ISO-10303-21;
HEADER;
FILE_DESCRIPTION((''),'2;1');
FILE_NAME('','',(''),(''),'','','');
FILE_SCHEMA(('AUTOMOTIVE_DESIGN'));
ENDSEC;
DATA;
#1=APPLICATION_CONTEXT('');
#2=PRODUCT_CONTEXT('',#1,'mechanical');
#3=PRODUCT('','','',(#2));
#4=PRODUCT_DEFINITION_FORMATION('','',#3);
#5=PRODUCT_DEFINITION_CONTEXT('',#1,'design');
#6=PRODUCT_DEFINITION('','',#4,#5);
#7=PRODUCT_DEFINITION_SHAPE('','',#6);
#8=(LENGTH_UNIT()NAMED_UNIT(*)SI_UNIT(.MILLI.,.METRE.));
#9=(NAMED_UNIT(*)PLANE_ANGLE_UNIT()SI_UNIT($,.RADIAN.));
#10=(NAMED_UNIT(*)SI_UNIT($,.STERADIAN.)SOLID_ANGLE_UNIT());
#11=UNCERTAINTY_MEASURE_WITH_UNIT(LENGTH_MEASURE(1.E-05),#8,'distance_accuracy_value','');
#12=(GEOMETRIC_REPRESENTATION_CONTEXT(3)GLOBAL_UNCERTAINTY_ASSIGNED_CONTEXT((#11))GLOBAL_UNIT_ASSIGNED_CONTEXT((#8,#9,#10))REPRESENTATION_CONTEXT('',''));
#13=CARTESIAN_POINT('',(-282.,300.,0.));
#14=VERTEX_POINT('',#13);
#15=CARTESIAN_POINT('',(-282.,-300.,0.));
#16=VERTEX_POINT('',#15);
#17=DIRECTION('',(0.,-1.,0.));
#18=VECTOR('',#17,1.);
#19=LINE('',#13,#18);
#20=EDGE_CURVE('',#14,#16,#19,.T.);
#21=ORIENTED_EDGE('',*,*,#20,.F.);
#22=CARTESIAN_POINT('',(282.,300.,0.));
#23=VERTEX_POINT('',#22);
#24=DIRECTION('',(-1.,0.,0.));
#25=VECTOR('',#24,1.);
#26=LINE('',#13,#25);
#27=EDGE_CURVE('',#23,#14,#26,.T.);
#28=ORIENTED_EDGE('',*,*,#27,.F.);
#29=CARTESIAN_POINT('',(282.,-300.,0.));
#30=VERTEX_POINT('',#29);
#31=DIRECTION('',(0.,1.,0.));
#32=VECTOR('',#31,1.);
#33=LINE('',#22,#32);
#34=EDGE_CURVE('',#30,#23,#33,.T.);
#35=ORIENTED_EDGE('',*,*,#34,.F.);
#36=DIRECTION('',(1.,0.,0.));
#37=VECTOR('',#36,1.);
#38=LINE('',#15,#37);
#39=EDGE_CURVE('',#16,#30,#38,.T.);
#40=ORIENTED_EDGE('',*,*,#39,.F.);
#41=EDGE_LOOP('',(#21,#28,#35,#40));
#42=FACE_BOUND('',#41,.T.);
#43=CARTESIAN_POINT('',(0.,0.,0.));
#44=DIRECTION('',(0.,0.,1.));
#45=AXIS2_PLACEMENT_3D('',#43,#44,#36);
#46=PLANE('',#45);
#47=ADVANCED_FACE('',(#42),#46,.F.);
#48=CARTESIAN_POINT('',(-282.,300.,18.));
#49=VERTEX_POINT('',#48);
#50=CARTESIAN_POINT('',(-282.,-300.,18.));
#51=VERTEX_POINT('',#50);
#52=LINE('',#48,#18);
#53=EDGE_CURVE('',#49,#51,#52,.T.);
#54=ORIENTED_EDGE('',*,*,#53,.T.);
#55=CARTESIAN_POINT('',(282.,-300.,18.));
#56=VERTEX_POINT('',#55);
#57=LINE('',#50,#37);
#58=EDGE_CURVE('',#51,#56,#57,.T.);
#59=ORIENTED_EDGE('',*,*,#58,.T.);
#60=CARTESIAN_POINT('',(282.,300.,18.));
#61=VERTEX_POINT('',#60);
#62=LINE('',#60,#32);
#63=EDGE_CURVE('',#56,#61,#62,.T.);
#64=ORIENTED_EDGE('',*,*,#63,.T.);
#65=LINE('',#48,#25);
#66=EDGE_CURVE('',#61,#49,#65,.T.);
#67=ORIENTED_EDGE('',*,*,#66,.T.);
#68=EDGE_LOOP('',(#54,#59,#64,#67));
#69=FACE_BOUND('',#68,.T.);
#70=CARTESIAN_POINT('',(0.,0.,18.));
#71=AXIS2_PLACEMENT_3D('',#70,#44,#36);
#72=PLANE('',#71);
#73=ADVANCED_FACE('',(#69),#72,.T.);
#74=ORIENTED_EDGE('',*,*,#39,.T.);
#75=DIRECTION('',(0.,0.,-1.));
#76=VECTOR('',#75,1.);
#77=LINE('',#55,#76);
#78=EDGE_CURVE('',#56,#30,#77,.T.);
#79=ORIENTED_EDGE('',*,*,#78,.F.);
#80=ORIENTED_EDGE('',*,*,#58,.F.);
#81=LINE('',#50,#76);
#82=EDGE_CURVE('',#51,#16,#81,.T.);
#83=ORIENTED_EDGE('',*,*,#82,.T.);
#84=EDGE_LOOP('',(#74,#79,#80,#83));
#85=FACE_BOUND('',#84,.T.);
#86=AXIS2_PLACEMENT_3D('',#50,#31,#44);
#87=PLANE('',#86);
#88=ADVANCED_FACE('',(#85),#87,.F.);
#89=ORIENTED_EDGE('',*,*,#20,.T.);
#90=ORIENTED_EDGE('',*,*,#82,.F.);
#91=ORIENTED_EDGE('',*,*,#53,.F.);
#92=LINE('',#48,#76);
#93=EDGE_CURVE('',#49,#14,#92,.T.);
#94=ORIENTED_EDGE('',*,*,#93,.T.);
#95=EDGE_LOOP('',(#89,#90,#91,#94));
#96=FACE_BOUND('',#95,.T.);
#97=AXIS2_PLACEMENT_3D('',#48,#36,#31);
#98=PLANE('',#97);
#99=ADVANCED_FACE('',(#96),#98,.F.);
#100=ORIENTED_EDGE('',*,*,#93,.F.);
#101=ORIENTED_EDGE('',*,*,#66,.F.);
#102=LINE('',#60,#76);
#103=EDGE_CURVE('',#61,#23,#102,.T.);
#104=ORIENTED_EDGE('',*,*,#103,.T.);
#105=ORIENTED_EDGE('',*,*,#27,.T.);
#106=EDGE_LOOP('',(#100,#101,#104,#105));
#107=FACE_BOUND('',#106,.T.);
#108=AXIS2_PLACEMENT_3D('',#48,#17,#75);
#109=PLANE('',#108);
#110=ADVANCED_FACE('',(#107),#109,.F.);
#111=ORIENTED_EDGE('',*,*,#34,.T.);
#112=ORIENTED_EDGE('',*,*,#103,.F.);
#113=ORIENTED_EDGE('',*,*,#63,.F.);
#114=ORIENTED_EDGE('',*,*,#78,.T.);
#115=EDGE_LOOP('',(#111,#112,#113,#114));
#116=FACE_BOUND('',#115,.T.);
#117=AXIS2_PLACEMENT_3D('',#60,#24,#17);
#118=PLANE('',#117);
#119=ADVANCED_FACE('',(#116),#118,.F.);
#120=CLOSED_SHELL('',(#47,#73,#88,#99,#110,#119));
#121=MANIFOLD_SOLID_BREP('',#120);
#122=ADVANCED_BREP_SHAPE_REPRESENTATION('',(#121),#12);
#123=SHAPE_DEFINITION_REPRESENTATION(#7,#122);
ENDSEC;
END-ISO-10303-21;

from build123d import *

# Parameters (mm, degrees)
SKETCH_1_W      = 564
SKETCH_1_H      = 600
EXTRUDE_1_DEPTH = 18


with BuildPart() as part:
    # Эскиз1 → Бобышка-Вытянуть1 (new body)
    with BuildSketch(Plane.XY):
        Rectangle(SKETCH_1_W, SKETCH_1_H)
    extrude(amount=EXTRUDE_1_DEPTH)


solid = part.part
